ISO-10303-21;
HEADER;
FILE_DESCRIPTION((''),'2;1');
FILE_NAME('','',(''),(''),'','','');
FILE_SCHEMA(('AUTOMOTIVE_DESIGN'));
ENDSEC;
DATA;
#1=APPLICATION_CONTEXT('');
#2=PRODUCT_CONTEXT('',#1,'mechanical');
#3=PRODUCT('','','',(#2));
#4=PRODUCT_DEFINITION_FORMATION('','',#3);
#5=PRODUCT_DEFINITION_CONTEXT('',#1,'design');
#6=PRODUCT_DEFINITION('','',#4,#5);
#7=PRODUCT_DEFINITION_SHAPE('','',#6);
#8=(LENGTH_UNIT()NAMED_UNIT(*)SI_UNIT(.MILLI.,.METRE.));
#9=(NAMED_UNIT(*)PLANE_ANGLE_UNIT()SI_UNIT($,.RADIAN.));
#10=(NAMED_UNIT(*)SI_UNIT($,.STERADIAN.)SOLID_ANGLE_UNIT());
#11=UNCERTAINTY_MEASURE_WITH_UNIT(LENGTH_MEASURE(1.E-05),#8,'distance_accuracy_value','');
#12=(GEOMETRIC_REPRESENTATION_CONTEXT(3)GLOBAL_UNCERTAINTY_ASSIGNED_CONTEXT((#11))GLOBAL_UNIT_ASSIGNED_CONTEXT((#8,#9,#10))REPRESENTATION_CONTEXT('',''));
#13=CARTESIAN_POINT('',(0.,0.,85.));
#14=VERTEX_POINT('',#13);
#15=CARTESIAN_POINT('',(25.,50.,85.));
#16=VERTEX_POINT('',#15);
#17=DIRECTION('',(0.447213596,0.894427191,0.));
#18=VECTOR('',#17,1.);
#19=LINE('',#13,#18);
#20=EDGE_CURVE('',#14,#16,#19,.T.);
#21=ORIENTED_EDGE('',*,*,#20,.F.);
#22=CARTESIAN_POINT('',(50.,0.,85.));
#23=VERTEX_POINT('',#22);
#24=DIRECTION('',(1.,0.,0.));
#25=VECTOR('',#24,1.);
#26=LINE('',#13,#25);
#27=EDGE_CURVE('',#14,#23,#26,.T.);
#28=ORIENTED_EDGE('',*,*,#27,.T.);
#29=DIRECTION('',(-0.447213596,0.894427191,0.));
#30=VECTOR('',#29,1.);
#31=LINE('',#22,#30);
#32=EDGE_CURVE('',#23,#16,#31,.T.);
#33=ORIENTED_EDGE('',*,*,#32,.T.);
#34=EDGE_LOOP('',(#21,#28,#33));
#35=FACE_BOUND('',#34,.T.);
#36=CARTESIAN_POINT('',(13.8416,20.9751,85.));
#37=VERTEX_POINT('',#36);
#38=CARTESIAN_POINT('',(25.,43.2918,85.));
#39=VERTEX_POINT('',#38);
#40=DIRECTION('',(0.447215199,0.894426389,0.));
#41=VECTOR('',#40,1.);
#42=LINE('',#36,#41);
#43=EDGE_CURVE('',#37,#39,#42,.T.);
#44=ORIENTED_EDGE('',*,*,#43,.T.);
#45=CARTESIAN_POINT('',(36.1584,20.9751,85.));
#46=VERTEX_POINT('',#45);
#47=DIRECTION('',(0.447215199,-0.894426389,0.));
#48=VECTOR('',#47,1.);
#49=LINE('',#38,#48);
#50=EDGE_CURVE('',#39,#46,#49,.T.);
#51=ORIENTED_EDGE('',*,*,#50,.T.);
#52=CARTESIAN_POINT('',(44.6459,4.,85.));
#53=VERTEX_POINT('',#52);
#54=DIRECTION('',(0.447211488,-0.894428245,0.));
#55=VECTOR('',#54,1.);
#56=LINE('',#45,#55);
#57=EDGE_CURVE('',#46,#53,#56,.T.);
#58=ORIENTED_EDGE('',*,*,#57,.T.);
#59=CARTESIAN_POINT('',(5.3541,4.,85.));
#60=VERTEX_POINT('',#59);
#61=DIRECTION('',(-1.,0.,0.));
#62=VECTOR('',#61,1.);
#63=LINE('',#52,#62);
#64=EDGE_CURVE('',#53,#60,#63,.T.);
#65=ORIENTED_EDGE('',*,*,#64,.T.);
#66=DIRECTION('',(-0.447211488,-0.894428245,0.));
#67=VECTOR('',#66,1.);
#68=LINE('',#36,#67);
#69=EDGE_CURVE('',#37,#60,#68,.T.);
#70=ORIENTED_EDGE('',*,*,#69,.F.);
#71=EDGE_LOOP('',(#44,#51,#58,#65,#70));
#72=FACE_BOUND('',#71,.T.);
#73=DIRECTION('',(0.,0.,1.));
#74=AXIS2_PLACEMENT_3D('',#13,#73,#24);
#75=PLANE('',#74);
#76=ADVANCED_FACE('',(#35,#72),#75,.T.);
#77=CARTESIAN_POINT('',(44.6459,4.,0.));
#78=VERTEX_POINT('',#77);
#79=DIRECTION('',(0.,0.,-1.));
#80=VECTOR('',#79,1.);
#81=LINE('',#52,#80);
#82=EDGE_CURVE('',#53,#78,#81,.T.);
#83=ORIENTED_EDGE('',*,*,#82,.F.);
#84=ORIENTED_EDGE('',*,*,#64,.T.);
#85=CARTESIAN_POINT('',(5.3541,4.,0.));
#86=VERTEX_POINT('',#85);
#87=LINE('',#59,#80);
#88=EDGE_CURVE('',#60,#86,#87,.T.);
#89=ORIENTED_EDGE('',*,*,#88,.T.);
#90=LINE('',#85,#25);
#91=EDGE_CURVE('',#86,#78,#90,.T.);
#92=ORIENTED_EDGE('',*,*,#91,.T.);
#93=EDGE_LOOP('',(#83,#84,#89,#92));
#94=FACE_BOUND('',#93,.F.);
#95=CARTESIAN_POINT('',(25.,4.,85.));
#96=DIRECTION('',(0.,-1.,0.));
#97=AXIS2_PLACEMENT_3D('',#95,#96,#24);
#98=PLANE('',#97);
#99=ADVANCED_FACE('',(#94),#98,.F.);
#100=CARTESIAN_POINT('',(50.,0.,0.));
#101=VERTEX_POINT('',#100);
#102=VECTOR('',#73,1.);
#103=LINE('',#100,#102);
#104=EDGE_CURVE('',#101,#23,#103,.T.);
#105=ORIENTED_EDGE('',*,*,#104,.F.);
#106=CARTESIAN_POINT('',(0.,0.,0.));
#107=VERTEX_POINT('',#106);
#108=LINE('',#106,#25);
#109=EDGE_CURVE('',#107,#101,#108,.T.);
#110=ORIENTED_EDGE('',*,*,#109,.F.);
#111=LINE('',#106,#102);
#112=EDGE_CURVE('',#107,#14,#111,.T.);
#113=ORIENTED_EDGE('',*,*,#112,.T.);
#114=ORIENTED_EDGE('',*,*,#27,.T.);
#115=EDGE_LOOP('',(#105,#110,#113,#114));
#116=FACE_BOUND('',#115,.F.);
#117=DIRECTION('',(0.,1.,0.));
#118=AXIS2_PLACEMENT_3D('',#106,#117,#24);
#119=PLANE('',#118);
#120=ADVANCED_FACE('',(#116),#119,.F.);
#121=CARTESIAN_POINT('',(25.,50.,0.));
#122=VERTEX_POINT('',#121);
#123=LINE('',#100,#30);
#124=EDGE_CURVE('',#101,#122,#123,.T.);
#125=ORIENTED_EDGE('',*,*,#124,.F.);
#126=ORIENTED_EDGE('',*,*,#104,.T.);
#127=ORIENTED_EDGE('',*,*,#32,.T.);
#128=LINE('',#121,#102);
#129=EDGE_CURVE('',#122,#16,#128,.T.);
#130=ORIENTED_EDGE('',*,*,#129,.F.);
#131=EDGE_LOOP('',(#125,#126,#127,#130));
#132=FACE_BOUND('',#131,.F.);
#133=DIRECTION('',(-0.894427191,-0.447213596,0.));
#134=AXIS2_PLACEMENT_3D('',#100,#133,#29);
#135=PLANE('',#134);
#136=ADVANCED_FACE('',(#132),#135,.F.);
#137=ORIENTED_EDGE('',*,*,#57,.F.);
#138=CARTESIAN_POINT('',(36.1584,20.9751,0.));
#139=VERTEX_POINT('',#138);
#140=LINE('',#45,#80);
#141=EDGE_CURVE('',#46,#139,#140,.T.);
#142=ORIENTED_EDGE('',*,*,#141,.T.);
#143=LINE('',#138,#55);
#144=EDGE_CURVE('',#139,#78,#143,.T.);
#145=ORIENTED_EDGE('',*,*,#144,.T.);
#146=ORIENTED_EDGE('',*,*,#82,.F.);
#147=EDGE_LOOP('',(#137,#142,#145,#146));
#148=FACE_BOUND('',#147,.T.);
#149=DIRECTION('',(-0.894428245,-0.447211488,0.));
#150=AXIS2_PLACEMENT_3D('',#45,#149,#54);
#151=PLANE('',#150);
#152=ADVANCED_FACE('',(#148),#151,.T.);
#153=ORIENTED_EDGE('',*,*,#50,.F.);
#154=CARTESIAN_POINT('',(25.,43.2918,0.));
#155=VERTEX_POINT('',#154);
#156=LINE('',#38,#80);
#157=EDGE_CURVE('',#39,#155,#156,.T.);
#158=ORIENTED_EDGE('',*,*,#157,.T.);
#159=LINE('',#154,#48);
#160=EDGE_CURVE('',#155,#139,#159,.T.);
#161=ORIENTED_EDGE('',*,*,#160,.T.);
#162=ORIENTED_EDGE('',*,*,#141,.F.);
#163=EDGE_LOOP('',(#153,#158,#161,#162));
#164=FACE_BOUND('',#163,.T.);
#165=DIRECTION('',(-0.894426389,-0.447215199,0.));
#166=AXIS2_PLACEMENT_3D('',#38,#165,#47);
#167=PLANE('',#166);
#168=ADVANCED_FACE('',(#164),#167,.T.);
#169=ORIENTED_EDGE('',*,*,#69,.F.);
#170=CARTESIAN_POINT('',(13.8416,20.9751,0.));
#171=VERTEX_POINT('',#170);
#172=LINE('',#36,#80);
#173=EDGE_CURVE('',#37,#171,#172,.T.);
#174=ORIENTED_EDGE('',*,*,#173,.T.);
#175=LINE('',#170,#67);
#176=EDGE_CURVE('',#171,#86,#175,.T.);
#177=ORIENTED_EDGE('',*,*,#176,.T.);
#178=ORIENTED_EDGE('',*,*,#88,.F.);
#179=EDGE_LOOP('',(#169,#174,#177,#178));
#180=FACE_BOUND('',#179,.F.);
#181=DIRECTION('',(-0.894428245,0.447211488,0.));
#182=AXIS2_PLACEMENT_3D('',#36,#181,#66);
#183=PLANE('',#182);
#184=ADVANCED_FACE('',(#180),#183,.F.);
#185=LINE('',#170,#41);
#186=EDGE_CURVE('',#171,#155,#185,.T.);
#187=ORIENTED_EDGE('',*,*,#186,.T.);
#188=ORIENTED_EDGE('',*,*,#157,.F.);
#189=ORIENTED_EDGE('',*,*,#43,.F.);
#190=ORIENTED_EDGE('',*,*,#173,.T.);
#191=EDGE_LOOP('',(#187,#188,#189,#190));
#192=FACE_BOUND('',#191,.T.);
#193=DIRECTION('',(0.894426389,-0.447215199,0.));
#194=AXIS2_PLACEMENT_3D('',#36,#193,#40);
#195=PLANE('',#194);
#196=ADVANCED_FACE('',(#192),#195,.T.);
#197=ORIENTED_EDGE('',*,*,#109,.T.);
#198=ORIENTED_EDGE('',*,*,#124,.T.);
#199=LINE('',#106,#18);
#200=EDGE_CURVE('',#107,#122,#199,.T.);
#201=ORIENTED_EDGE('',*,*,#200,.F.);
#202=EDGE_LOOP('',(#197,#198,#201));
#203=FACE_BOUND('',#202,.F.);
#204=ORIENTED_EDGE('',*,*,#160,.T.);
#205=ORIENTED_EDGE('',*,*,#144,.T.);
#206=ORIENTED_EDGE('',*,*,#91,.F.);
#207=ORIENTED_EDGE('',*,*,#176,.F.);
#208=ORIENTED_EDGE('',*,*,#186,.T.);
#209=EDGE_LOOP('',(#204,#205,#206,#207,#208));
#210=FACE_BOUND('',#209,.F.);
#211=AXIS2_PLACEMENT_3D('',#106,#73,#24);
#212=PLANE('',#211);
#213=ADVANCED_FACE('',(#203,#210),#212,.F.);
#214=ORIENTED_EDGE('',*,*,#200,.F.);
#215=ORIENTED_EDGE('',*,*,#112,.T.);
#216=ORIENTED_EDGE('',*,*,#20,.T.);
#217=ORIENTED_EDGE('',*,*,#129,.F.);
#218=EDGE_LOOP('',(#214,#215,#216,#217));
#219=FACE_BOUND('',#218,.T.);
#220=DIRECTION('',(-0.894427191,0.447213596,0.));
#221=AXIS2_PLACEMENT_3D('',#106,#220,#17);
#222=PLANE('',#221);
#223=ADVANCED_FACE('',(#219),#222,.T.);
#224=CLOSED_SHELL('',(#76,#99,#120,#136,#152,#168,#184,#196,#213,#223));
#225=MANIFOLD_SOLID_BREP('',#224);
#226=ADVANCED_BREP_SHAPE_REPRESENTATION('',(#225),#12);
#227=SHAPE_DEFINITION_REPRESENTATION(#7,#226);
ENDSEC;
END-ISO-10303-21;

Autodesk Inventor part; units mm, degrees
ref_plane "YZ Plane" through (0, 0, 0) normal (1, 0, 0) x (0, 1, 0)
ref_plane "XZ Plane" through (0, 0, 0) normal (0, 1, 0) x (-1, 0, 0)
ref_plane "XY Plane" through (0, 0, 0) normal (0, 0, 1) x (1, 0, 0)
sketch "Boceto1" plane through (0, 0, 0) normal (0, 0, 1) x (1, 0, 0)
  line L0 (0, 0) -> (50, 0)
  line L1 (50, 0) -> (50, 50)
  line L2 (50, 50) -> (0, 50)
  line L3 (0, 50) -> (0, 0)
  line L4 (0, 0) -> (25, 50)
  line L5 (50, 0) -> (25, 50)
  dimension "d0" = 50
  dimension "d1" = 50
extrude "Extrusión1" add sketch "Boceto1" along normal blind 85 contours L4 L5 L0
sketch "Boceto2" plane through (0, 0, 85) normal (0, 0, 1) x (1, 0, 0)
  line L0 (25, 4) -> (47.7159, 4)
  line L1 (50, 0) -> (25, 50) projected
  line L2 (37.5, 25) -> (38.8416, 22.3167)
  line L3 (38.8416, 22.3167) -> (36.1584, 20.9751)
  line L4 (36.1584, 20.9751) -> (44.6459, 4)
  line L5 (25, 4) -> (2, 4)
  line L6 (25, 50) -> (0, 0) projected
  line L7 (11.1584, 22.3167) -> (13.8416, 20.9751)
  line L8 (13.8416, 20.9751) -> (5.3541, 4)
  line L9 (13.8416, 20.9751) -> (25, 43.2918)
  line L10 (25, 43.2918) -> (36.1584, 20.9751)
  dimension "d4" = 3
  dimension "d5" = 3
  dimension "d6" = 3
extrude "Extrusión2" cut sketch "Boceto2" against normal blind 85 contours L5 L8 L9 L10 L4 L0
properties part number "Aspax2"
